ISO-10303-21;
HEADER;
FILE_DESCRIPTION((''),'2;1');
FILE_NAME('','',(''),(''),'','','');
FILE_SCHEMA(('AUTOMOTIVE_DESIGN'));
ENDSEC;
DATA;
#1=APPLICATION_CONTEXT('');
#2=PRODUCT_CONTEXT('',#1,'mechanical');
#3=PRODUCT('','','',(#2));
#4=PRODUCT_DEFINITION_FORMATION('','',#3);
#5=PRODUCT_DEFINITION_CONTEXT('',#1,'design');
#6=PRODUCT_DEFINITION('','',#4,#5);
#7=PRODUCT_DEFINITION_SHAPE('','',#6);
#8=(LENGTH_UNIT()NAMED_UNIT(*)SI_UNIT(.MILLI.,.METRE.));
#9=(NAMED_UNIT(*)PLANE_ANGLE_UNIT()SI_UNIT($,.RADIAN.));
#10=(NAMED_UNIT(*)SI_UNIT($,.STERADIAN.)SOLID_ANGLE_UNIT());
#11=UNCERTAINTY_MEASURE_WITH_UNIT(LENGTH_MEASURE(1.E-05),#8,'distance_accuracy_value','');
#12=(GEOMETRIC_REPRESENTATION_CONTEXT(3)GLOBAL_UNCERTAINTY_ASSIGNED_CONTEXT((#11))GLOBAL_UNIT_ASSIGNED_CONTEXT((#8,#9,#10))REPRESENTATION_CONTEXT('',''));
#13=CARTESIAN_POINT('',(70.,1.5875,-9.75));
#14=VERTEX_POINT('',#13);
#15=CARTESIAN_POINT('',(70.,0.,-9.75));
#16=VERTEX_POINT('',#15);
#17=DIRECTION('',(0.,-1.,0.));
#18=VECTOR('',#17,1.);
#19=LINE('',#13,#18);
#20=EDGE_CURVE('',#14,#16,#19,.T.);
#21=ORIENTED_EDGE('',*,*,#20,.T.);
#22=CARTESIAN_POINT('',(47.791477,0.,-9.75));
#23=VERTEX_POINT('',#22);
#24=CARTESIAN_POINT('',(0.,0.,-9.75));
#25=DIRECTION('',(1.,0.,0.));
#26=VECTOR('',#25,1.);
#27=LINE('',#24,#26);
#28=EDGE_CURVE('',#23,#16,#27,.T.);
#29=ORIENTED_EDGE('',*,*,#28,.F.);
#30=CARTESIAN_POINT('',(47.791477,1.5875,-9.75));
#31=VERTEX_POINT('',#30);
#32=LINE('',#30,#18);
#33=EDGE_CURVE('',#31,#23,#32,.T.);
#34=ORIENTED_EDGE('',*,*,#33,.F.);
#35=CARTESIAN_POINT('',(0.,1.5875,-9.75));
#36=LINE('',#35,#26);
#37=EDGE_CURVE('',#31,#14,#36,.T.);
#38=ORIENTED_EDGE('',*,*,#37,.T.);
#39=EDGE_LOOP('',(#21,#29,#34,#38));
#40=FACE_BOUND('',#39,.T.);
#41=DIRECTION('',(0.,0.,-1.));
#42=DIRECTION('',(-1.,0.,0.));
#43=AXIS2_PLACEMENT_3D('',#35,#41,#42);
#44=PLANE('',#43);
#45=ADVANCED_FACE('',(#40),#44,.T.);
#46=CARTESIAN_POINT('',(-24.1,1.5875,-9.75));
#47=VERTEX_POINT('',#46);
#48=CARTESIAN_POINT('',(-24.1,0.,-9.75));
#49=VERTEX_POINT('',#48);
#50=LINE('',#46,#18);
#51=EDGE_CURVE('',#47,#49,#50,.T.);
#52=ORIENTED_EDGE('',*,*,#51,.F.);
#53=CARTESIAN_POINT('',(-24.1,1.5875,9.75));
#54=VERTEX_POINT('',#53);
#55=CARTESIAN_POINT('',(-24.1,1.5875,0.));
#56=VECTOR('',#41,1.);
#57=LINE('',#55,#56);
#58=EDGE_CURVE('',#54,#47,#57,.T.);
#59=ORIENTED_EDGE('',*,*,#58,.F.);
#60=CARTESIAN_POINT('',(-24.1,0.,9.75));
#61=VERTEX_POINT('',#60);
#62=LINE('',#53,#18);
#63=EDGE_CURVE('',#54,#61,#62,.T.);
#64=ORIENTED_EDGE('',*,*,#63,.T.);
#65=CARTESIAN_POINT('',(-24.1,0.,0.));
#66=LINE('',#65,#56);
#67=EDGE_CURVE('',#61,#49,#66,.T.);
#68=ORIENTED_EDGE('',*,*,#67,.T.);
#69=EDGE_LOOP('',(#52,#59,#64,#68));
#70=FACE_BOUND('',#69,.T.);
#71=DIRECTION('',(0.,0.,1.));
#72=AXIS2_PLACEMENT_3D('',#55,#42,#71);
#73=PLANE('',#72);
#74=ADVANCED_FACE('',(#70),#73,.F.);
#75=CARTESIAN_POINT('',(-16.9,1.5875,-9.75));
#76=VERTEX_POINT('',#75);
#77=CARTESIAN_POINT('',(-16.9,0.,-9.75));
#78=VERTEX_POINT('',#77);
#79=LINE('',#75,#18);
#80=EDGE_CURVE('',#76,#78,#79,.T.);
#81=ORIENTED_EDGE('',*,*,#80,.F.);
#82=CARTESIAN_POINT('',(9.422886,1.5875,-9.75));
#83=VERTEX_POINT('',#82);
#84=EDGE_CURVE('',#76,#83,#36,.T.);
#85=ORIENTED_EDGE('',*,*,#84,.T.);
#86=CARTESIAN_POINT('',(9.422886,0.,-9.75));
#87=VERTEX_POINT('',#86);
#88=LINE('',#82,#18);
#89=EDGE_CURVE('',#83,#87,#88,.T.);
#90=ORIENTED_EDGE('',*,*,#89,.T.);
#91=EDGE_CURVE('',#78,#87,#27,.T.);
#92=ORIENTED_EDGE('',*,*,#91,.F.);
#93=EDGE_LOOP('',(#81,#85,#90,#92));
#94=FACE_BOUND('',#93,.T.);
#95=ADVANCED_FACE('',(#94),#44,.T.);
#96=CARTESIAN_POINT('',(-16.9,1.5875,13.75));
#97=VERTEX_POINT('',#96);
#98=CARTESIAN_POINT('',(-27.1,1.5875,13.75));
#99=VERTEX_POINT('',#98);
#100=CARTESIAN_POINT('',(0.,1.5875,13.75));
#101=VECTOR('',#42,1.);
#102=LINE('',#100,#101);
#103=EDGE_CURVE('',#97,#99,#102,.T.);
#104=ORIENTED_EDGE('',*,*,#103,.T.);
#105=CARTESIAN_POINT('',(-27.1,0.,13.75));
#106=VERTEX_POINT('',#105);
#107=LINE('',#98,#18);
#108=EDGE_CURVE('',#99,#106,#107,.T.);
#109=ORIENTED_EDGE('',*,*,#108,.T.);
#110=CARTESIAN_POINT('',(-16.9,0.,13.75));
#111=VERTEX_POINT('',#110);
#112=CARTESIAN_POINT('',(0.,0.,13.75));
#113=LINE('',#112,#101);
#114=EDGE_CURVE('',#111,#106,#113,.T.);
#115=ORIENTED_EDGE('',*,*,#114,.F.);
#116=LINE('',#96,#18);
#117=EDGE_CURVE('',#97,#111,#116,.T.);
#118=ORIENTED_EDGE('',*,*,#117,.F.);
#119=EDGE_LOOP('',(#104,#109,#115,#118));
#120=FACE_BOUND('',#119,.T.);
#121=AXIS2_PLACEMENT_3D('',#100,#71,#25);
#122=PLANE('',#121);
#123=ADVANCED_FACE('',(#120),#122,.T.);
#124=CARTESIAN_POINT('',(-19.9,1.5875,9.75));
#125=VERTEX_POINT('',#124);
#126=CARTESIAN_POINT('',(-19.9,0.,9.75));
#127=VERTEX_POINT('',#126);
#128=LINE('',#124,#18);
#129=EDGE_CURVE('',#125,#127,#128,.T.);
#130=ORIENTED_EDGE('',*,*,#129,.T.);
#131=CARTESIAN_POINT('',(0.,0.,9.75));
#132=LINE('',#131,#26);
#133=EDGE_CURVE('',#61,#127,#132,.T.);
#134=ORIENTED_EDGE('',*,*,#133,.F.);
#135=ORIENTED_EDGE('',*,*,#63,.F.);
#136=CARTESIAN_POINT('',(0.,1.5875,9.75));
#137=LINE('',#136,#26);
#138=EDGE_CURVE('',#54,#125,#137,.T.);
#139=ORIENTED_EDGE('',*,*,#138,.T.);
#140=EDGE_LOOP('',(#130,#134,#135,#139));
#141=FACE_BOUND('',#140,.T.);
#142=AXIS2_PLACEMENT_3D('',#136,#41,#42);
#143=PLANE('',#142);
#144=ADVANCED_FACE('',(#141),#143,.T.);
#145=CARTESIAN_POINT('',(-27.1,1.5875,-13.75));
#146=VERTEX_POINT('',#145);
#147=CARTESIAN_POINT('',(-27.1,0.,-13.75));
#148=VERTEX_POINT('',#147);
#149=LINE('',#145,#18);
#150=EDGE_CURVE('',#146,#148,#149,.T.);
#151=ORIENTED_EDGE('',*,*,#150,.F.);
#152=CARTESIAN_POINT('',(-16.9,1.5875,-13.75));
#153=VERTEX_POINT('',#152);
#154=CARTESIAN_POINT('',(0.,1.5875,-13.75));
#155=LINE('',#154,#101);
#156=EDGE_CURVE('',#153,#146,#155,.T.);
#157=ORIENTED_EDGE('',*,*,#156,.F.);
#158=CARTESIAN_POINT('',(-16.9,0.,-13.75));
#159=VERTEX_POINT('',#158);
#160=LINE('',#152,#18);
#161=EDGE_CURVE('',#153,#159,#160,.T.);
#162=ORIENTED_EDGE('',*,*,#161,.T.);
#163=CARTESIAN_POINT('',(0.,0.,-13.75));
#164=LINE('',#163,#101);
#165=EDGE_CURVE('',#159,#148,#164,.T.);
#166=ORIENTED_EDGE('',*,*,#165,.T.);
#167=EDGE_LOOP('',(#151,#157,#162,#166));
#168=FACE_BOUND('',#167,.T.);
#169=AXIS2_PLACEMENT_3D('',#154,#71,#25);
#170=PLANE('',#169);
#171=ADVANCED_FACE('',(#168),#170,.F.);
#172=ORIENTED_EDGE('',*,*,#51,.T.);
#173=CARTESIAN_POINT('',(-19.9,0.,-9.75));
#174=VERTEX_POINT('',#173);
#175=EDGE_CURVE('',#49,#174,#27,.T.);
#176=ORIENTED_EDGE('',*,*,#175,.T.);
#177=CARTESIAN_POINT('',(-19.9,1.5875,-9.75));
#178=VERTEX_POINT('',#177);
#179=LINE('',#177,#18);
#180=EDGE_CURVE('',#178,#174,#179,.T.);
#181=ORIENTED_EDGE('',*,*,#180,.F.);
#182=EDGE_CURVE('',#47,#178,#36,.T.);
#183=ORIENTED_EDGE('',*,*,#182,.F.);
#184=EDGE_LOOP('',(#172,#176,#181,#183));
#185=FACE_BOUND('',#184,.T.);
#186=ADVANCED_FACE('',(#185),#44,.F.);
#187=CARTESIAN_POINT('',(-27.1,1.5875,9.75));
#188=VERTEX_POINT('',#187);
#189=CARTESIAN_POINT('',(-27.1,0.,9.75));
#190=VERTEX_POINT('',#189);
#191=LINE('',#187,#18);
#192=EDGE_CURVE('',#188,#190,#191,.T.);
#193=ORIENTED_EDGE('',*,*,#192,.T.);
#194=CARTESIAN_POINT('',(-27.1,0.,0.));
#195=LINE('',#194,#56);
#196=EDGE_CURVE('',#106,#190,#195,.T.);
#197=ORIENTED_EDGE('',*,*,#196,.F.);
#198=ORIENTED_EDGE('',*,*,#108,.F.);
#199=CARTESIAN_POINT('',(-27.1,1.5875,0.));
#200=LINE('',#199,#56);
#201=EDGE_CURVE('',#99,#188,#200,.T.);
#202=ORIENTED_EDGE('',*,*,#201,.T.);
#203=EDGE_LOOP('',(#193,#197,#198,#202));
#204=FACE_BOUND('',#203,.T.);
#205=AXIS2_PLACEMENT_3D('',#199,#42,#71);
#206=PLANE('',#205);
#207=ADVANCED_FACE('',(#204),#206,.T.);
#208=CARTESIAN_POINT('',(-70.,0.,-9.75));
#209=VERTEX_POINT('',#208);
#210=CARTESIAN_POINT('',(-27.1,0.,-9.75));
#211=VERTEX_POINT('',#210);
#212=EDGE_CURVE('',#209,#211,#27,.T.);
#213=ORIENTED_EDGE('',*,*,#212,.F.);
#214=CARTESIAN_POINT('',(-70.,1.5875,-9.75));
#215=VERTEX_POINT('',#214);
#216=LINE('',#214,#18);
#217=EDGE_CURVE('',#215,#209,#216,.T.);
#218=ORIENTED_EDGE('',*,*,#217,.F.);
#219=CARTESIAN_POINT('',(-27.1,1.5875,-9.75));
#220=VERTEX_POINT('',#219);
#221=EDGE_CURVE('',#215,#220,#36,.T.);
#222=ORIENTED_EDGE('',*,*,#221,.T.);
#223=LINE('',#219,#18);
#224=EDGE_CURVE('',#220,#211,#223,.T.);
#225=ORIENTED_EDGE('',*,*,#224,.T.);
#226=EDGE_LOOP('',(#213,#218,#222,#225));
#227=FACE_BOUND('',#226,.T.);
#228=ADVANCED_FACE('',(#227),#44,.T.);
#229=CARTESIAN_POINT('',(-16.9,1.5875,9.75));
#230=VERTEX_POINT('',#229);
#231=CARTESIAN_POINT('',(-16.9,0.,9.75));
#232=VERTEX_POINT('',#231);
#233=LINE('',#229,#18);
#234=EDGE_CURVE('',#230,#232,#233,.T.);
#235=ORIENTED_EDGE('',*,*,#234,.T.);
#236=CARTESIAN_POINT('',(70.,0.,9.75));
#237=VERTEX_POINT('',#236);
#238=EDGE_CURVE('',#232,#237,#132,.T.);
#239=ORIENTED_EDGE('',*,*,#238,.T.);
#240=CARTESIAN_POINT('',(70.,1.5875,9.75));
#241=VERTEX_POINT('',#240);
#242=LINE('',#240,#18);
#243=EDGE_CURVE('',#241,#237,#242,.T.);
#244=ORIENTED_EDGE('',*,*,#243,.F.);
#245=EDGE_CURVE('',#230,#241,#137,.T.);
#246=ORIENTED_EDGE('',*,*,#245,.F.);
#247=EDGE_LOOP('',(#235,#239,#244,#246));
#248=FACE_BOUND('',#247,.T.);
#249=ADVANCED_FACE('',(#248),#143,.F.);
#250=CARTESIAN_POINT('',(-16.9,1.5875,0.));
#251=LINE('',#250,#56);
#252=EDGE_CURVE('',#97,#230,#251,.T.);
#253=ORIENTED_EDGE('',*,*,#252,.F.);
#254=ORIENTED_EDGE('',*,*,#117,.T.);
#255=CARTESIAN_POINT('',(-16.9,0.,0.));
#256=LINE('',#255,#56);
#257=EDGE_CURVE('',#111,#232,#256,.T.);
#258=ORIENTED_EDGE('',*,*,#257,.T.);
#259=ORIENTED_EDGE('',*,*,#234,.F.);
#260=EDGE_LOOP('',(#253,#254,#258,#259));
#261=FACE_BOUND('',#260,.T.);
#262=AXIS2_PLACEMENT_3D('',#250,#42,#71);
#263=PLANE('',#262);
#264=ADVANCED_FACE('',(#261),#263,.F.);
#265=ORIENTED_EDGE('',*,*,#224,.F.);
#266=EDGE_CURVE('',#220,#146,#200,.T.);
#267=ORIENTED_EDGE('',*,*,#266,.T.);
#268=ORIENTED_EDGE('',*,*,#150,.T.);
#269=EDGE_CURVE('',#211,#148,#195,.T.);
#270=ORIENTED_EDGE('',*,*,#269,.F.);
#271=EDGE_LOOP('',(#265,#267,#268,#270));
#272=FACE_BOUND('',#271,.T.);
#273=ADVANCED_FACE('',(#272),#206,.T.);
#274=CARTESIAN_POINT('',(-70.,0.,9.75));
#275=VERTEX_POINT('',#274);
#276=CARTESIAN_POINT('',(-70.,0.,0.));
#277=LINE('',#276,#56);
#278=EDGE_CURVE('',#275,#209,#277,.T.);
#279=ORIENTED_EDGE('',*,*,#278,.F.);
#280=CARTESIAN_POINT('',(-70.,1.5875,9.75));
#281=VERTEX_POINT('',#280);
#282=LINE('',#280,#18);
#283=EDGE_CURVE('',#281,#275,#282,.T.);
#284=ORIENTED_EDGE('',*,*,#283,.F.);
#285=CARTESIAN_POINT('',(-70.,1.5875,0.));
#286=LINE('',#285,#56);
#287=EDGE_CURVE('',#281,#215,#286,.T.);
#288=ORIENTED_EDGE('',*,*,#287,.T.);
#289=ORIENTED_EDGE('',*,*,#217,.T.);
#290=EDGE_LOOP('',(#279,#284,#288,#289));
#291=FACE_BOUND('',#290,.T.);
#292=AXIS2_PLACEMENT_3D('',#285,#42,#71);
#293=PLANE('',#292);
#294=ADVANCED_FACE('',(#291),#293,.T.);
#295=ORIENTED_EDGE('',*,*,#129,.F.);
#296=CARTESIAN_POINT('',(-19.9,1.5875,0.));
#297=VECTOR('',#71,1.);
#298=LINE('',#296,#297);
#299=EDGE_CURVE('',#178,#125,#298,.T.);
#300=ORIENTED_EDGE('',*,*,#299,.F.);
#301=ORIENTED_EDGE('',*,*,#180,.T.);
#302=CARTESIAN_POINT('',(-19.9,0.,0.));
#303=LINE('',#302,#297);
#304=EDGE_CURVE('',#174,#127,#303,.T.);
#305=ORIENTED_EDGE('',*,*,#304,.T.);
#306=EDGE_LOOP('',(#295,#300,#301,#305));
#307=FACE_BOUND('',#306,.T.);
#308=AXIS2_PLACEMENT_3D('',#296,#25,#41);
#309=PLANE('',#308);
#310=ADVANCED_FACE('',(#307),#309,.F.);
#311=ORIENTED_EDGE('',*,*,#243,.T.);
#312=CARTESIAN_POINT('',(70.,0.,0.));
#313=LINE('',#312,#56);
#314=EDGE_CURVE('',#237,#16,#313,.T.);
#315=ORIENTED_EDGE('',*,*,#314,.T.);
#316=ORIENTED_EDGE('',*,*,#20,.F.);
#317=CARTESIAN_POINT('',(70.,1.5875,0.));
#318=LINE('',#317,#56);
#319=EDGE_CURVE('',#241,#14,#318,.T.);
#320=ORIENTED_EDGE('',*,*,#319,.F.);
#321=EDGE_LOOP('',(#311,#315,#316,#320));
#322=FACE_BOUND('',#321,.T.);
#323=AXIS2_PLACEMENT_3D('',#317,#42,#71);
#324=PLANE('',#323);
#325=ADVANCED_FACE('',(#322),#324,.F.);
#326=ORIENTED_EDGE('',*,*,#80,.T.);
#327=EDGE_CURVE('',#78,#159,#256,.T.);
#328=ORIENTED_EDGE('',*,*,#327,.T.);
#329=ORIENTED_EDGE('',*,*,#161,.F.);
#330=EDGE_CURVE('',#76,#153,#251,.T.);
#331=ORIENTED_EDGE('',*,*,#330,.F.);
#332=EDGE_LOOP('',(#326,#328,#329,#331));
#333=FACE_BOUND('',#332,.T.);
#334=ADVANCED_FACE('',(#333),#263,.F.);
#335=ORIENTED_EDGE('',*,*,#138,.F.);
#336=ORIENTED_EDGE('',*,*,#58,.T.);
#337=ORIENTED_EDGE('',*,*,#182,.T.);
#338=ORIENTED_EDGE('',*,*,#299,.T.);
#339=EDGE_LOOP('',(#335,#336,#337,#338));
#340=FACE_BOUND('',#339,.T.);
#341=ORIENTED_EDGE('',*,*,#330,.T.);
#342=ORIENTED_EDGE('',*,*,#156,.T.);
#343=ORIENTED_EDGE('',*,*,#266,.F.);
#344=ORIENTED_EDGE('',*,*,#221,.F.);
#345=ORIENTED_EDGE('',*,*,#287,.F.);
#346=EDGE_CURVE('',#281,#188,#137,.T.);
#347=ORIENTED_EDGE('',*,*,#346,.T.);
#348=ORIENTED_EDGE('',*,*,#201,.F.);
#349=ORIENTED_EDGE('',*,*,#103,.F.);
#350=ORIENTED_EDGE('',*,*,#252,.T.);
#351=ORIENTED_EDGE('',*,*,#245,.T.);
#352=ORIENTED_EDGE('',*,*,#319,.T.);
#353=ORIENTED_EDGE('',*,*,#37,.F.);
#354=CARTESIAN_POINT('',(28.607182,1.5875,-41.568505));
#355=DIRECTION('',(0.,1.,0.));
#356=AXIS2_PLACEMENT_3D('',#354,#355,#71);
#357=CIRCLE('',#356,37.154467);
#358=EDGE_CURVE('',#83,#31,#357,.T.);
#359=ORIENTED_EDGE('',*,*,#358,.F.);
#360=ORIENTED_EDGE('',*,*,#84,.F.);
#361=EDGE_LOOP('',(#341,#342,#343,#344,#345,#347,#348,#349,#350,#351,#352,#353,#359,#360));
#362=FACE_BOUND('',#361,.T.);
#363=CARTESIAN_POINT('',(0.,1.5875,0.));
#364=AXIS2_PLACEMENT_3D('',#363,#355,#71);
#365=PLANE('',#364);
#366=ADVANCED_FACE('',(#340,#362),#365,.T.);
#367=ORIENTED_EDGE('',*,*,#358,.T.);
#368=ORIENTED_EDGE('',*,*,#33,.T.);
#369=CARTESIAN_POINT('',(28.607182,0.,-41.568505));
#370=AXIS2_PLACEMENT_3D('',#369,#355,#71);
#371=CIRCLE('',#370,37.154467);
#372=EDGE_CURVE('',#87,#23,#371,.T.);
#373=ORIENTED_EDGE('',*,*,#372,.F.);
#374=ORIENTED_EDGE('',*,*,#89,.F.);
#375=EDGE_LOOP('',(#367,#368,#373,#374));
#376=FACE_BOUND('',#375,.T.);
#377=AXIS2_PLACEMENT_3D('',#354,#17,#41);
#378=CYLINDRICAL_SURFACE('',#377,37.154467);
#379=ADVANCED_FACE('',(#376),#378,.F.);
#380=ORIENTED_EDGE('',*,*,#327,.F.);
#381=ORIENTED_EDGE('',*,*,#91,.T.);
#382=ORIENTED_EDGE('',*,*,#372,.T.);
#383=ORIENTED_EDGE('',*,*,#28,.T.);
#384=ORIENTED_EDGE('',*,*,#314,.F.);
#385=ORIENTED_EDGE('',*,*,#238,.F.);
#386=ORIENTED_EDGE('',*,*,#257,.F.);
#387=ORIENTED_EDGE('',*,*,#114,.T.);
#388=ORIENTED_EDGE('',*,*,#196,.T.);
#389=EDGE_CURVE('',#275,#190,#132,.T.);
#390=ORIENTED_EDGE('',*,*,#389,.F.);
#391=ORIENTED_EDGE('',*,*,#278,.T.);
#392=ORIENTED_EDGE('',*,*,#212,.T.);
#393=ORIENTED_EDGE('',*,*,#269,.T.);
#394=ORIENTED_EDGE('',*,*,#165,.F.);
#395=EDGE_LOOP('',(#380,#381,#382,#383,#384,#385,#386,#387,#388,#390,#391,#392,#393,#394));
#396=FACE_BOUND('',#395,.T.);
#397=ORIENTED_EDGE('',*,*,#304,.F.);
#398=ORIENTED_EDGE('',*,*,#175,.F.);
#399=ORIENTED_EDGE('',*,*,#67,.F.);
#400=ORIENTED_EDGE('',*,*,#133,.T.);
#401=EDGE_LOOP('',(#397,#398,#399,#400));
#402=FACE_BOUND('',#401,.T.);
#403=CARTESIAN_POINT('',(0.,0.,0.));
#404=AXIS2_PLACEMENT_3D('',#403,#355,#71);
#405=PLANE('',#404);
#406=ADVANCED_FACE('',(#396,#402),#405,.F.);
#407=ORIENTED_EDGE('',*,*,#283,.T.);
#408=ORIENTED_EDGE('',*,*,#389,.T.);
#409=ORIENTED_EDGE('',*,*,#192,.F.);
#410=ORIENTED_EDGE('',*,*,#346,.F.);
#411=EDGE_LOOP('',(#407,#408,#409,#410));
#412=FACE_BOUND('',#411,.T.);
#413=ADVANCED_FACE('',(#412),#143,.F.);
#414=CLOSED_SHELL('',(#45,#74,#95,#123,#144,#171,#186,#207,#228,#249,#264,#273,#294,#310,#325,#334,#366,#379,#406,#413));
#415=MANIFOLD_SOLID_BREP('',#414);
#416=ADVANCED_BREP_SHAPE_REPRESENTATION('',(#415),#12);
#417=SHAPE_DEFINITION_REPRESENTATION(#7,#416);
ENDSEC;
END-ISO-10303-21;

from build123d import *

# Parameters (mm, degrees)
SKETCH1_W           = 4.2
SKETCH1_H           = 19.5
BOSS_EXTRUDE1_DEPTH = 1.5875


with BuildPart() as part:
    # Sketch1 → Boss-Extrude1 (new body)
    with BuildSketch(Plane(origin=(0, 0, 0), x_dir=(1, 0, 0), z_dir=(0, 1, 0))):
        with BuildLine():
            Line((-27.1, 9.75), (-70, 9.75))
            Line((-70, 9.75), (-70, -9.75))
            Line((-70, -9.75), (-27.1, -9.75))
            Line((-27.1, -9.75), (-27.1, -13.75))
            Line((-27.1, -13.75), (-16.9, -13.75))
            Line((-16.9, -13.75), (-16.9, -9.75))
            Line((-16.9, -9.75), (70, -9.75))
            Line((70, -9.75), (70, 9.75))
            Line((70, 9.75), (47.791477279, 9.75))
            ThreePointArc((47.791477279, 9.75), (28.607181878, 4.414037573), (9.422886477, 9.75))
            Line((9.422886477, 9.75), (-16.9, 9.75))
            Line((-16.9, 9.75), (-16.9, 13.75))
            Line((-16.9, 13.75), (-27.1, 13.75))
            Line((-27.1, 13.75), (-27.1, 9.75))
        make_face()
        with Locations((-22, 0)):
            Rectangle(SKETCH1_W, SKETCH1_H, mode=Mode.SUBTRACT)
    extrude(amount=BOSS_EXTRUDE1_DEPTH)


solid = part.part
